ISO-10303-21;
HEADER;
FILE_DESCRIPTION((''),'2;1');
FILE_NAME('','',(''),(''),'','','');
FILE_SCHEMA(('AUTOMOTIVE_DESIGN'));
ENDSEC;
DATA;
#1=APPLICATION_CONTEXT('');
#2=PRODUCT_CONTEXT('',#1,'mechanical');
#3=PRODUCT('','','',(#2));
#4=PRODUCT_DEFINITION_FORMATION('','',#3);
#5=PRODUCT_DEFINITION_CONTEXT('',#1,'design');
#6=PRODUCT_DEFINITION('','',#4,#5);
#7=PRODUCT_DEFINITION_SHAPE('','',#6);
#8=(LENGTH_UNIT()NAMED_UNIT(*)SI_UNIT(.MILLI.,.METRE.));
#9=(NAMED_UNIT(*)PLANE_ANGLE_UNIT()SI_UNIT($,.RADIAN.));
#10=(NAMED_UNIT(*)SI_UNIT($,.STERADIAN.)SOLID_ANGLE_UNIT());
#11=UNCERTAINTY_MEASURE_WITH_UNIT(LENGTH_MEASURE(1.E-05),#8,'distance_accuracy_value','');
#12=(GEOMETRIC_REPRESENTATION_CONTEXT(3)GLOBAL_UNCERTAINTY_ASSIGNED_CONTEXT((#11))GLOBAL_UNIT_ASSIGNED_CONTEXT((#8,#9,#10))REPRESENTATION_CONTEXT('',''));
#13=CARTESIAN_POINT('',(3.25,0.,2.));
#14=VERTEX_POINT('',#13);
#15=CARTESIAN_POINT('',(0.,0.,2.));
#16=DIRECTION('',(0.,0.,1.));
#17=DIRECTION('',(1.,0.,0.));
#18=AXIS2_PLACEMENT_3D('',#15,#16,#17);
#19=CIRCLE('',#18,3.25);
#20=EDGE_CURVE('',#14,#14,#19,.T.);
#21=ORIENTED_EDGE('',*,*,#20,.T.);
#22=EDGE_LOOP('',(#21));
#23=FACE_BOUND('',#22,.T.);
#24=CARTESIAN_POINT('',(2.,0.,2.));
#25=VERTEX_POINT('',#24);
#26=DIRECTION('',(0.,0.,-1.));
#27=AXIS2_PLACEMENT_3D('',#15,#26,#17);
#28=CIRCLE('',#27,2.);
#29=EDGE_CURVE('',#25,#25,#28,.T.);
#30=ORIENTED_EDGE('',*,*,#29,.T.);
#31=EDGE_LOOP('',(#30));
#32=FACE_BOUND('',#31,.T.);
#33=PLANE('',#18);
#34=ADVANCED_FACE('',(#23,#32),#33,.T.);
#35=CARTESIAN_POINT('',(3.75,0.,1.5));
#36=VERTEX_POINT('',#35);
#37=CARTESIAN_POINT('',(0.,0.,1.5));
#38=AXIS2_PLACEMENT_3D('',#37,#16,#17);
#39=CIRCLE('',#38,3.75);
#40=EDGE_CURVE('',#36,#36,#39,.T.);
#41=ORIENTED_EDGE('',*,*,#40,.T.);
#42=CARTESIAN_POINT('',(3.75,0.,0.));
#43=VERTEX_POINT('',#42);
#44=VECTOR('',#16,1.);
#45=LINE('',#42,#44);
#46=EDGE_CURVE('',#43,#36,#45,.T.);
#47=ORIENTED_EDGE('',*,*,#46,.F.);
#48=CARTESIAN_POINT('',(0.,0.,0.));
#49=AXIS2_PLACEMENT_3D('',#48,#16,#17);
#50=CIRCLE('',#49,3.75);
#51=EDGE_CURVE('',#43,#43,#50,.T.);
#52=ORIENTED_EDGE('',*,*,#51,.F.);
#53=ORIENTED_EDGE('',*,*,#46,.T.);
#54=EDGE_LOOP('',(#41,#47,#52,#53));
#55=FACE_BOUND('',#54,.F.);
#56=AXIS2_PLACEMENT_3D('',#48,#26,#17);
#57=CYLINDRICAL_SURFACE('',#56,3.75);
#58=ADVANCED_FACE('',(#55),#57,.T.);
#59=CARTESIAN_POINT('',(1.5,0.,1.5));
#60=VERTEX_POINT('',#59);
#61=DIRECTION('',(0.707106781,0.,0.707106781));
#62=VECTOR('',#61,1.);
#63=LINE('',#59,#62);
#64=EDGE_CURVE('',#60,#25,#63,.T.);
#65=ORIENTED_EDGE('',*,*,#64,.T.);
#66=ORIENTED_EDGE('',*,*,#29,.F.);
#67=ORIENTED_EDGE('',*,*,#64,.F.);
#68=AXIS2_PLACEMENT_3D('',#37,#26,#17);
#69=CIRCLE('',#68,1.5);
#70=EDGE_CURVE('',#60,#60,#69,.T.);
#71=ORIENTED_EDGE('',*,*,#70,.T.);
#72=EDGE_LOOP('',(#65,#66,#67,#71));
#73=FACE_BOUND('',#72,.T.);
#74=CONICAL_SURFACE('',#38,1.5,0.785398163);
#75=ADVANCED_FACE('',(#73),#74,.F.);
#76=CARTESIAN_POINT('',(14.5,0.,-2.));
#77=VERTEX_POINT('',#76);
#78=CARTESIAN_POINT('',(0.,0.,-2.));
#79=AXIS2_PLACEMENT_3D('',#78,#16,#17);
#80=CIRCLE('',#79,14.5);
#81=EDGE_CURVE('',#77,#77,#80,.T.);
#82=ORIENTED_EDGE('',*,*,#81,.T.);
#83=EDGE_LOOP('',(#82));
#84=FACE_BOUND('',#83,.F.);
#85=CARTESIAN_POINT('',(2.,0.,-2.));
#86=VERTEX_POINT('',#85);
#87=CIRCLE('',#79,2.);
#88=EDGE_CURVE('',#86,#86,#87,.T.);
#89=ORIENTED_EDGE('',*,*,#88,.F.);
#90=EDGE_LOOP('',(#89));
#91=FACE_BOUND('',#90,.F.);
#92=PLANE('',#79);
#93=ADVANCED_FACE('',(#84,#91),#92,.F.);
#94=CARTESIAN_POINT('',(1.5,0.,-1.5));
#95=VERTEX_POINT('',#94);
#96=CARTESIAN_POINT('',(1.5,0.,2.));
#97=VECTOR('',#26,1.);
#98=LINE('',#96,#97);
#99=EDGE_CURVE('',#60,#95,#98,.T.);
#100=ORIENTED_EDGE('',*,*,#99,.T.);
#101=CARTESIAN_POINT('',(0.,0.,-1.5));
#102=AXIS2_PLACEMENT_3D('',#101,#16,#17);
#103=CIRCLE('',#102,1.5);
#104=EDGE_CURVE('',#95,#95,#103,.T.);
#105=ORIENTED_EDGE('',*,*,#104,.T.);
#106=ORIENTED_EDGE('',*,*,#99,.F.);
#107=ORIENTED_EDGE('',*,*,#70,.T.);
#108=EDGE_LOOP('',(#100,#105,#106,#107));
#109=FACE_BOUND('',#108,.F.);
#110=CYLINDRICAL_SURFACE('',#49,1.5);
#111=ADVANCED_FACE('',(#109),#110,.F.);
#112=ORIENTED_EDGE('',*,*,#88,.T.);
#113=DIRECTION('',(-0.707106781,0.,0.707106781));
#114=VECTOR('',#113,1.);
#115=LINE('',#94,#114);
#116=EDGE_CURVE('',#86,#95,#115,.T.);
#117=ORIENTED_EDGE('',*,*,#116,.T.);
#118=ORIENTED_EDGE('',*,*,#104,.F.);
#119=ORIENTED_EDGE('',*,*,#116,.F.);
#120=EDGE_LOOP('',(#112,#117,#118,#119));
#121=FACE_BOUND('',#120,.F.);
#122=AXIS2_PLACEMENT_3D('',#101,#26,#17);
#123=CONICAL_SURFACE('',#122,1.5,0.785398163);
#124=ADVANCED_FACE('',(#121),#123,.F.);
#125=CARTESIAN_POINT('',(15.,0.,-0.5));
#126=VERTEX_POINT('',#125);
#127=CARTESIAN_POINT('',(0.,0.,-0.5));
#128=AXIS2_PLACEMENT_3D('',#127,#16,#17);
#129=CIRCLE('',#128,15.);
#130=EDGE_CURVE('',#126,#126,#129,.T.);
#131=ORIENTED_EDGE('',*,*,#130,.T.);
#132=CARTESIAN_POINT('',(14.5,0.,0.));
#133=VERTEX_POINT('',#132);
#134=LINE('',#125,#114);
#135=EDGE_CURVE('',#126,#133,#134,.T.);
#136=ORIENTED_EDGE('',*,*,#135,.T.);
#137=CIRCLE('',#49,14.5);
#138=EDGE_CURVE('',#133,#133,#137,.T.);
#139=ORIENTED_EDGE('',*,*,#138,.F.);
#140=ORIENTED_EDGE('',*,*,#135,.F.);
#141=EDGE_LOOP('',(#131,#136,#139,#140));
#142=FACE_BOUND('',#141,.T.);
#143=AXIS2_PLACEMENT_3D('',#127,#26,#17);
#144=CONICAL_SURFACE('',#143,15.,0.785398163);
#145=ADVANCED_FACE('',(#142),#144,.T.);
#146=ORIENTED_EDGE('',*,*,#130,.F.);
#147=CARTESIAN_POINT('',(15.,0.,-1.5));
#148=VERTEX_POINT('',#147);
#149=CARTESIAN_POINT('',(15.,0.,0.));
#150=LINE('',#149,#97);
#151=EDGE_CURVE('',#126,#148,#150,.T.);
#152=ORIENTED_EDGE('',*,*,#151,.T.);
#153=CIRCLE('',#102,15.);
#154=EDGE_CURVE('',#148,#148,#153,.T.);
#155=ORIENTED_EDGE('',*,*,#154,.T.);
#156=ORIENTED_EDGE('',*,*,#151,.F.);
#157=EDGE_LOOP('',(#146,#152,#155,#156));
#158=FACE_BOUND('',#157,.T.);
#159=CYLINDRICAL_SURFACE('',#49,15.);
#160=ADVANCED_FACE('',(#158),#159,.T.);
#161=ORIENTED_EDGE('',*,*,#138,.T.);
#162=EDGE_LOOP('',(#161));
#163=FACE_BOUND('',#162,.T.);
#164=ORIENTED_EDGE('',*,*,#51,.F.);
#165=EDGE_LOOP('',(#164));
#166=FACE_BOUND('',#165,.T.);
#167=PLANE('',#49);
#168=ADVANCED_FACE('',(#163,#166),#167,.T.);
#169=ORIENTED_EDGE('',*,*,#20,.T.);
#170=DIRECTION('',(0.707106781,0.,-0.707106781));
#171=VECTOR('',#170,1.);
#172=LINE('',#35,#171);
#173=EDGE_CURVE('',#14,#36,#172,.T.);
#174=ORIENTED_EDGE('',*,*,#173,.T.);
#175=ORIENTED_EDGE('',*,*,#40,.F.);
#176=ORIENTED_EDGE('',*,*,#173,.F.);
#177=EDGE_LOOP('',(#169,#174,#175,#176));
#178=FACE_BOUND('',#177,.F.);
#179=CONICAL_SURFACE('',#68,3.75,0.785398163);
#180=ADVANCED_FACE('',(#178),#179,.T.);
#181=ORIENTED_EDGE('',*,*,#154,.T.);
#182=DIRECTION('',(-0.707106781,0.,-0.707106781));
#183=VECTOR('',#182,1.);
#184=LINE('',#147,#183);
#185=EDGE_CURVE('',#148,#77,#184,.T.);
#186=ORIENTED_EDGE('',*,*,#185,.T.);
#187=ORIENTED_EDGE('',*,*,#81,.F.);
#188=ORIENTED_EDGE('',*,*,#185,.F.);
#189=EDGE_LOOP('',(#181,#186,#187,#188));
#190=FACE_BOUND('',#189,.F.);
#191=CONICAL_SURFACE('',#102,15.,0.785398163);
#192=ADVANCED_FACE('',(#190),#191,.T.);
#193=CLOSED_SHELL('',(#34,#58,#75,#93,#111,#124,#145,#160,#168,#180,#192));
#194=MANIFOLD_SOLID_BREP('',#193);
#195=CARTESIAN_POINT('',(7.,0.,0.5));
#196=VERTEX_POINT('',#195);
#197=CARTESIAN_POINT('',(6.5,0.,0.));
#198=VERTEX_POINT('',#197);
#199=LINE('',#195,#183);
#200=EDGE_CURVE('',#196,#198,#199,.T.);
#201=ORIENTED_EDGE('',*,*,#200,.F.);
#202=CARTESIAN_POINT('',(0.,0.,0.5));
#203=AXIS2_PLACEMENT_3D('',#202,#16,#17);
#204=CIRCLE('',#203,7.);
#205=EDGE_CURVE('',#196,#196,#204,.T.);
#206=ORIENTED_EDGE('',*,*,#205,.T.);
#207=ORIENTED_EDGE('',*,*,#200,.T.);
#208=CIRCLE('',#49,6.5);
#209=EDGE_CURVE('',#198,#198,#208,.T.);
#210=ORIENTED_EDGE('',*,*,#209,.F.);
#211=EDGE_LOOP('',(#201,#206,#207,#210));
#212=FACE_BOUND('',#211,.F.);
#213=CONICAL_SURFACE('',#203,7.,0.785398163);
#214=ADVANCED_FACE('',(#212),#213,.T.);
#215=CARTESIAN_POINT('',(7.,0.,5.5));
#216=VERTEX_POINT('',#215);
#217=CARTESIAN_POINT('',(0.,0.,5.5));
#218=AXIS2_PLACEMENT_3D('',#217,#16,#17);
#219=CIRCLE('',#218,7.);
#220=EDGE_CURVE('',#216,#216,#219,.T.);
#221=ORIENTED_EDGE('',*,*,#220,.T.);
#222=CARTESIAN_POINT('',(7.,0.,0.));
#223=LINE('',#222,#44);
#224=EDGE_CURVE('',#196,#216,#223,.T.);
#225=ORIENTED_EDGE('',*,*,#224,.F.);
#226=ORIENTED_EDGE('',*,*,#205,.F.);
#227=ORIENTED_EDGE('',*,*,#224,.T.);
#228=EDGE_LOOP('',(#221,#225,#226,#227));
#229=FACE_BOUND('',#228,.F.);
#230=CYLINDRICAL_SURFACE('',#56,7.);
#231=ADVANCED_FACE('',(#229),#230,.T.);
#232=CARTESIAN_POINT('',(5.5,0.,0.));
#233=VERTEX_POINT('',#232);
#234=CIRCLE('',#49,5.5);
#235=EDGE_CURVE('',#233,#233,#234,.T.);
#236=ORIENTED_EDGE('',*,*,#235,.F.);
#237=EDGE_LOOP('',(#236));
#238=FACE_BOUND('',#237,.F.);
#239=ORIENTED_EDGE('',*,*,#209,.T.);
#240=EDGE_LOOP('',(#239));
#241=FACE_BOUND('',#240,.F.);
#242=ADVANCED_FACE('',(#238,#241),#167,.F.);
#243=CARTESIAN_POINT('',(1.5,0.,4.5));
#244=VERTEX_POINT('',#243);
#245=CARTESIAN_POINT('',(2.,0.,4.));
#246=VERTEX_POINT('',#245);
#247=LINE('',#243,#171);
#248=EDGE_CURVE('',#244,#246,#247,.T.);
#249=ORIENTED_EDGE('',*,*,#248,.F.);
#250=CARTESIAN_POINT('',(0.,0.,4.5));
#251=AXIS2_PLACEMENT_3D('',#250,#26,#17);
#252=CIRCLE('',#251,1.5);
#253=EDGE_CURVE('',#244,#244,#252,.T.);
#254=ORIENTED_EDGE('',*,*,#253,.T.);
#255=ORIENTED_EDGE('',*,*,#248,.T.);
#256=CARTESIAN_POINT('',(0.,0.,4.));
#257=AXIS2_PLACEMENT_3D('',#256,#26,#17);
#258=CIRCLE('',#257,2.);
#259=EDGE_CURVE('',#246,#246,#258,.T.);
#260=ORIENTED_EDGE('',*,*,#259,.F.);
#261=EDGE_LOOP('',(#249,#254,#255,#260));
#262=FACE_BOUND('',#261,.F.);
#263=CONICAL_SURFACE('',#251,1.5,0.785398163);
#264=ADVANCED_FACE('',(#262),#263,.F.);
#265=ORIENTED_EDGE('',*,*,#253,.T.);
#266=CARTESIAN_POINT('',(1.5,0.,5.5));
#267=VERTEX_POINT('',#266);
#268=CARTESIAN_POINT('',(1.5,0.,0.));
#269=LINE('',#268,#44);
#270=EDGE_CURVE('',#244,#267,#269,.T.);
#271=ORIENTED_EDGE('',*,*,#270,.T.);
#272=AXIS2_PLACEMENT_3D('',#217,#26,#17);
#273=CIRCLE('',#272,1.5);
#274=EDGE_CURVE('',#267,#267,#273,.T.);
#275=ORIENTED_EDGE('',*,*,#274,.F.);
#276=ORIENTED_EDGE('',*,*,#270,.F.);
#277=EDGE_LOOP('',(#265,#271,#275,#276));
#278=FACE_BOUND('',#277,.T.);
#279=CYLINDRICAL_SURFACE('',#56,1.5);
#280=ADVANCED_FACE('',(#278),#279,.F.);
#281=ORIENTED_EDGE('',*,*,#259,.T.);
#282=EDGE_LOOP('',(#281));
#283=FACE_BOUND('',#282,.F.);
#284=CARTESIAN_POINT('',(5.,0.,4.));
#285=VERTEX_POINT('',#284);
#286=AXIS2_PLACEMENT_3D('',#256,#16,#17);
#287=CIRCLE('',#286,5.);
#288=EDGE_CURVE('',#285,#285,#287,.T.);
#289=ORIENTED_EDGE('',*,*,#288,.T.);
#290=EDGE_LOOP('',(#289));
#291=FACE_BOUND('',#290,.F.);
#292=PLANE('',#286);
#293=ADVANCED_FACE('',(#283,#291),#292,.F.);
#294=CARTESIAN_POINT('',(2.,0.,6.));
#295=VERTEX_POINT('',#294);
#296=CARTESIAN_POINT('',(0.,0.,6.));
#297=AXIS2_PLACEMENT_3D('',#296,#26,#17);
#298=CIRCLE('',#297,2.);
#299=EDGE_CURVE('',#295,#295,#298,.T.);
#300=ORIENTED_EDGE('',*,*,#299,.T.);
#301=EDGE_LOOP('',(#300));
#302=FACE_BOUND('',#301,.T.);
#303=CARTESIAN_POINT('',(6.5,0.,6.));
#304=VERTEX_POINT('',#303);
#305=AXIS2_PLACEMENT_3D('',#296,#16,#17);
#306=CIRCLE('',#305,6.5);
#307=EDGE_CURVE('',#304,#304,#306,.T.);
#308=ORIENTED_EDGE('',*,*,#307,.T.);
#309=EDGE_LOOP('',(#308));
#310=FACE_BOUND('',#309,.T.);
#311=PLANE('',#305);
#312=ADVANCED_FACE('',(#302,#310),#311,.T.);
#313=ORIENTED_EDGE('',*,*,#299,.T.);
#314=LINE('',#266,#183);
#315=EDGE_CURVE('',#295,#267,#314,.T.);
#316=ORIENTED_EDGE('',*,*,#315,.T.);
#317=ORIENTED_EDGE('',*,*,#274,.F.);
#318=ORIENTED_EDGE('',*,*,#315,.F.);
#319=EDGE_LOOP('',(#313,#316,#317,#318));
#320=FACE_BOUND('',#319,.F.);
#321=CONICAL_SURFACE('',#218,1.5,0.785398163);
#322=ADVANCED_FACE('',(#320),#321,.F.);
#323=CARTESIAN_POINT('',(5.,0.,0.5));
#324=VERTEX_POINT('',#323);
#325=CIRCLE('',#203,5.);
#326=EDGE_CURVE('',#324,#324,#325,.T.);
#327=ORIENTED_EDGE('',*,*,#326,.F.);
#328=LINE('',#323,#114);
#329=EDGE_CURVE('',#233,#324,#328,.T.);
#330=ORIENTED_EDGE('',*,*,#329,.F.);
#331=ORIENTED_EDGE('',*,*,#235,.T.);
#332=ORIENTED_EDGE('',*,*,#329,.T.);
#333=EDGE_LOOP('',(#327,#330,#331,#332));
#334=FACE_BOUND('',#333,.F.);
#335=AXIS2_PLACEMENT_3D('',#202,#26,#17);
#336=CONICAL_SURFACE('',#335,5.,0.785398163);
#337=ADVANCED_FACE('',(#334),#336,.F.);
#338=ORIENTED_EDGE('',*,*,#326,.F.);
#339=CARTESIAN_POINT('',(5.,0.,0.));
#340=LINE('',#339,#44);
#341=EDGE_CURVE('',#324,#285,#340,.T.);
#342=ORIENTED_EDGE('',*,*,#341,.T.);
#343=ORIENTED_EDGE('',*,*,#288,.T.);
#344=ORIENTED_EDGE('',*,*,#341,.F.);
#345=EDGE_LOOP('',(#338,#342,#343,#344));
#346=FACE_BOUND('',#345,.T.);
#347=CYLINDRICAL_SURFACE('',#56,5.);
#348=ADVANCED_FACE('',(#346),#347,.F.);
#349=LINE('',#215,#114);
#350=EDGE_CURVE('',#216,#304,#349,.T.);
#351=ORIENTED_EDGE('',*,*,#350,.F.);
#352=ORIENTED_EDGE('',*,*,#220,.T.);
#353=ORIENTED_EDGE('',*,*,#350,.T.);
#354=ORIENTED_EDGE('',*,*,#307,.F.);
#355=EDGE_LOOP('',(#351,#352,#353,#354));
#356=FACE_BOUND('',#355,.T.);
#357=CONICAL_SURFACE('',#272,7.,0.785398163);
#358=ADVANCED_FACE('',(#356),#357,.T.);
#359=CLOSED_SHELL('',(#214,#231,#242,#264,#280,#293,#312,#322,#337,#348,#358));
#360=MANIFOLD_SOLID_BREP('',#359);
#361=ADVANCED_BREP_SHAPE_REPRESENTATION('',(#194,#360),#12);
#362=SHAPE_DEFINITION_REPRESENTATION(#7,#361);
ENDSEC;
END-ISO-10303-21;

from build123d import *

# Parameters (mm, degrees)
SKETCH_R             = 15
PAD_DEPTH            = 2
SKETCH001_R          = 3.75
PAD001_DEPTH         = 2
SKETCH002_R          = 1.5
POCKET_DEPTH         = 2.001
POCKET_DEPTH_BACK    = -2.001
CHAMFER_SIZE         = 0.5
SKETCH003_R          = 7
PAD002_DEPTH         = 6
SKETCH004_R          = 5
POCKET001_DEPTH      = 4
SKETCH005_R          = 1.5
POCKET002_DEPTH      = 0.001
POCKET002_DEPTH_BACK = -6.001
CHAMFER001_SIZE      = 0.5


with BuildPart() as scheibe_oben:
    # Sketch → Pad (new body)
    with BuildSketch(Plane.XY):
        Circle(SKETCH_R)
    extrude(amount=-PAD_DEPTH)

    # Sketch001 → Pad001 (join)
    with BuildSketch(Plane.XY):
        Circle(SKETCH001_R)
    extrude(amount=PAD001_DEPTH)

    # Sketch002 → Pocket (cut, two sides)
    with BuildSketch(Plane.XY) as pocket_sk:
        Circle(SKETCH002_R)
    extrude(amount=-POCKET_DEPTH, mode=Mode.SUBTRACT)
    extrude(pocket_sk.sketch, amount=-POCKET_DEPTH_BACK, mode=Mode.SUBTRACT)

    # Chamfer
    chamfer_edges = [scheibe_oben.edges().sort_by_distance(p)[0] for p in [
        (-3.75, 0, 2),
        (-15, 0, 0),
        (-15, 0, -2),
        (-1.5, 0, 2),
        (-1.5, 0, -2),
    ]]
    chamfer(chamfer_edges, length=CHAMFER_SIZE)


with BuildPart() as seitlich:
    # Sketch003 → Pad002 (new body)
    with BuildSketch(Plane.XY):
        Circle(SKETCH003_R)
    extrude(amount=PAD002_DEPTH)

    # Sketch004 → Pocket001 (cut)
    with BuildSketch(Plane.XY):
        Circle(SKETCH004_R)
    extrude(amount=POCKET001_DEPTH, mode=Mode.SUBTRACT)

    # Sketch005 → Pocket002 (cut, two sides)
    with BuildSketch(Plane.XY) as pocket002_sk:
        Circle(SKETCH005_R)
    extrude(amount=-POCKET002_DEPTH, mode=Mode.SUBTRACT)
    extrude(pocket002_sk.sketch, amount=-POCKET002_DEPTH_BACK, mode=Mode.SUBTRACT)

    # Chamfer001
    chamfer001_edges = [seitlich.edges().sort_by_distance(p)[0] for p in [
        (-7, 0, 0),
        (-5, 0, 0),
        (-7, 0, 6),
        (-1.5, 0, 6),
        (-1.5, 0, 4),
    ]]
    chamfer(chamfer001_edges, length=CHAMFER001_SIZE)


solid = Compound([scheibe_oben.part, seitlich.part])
